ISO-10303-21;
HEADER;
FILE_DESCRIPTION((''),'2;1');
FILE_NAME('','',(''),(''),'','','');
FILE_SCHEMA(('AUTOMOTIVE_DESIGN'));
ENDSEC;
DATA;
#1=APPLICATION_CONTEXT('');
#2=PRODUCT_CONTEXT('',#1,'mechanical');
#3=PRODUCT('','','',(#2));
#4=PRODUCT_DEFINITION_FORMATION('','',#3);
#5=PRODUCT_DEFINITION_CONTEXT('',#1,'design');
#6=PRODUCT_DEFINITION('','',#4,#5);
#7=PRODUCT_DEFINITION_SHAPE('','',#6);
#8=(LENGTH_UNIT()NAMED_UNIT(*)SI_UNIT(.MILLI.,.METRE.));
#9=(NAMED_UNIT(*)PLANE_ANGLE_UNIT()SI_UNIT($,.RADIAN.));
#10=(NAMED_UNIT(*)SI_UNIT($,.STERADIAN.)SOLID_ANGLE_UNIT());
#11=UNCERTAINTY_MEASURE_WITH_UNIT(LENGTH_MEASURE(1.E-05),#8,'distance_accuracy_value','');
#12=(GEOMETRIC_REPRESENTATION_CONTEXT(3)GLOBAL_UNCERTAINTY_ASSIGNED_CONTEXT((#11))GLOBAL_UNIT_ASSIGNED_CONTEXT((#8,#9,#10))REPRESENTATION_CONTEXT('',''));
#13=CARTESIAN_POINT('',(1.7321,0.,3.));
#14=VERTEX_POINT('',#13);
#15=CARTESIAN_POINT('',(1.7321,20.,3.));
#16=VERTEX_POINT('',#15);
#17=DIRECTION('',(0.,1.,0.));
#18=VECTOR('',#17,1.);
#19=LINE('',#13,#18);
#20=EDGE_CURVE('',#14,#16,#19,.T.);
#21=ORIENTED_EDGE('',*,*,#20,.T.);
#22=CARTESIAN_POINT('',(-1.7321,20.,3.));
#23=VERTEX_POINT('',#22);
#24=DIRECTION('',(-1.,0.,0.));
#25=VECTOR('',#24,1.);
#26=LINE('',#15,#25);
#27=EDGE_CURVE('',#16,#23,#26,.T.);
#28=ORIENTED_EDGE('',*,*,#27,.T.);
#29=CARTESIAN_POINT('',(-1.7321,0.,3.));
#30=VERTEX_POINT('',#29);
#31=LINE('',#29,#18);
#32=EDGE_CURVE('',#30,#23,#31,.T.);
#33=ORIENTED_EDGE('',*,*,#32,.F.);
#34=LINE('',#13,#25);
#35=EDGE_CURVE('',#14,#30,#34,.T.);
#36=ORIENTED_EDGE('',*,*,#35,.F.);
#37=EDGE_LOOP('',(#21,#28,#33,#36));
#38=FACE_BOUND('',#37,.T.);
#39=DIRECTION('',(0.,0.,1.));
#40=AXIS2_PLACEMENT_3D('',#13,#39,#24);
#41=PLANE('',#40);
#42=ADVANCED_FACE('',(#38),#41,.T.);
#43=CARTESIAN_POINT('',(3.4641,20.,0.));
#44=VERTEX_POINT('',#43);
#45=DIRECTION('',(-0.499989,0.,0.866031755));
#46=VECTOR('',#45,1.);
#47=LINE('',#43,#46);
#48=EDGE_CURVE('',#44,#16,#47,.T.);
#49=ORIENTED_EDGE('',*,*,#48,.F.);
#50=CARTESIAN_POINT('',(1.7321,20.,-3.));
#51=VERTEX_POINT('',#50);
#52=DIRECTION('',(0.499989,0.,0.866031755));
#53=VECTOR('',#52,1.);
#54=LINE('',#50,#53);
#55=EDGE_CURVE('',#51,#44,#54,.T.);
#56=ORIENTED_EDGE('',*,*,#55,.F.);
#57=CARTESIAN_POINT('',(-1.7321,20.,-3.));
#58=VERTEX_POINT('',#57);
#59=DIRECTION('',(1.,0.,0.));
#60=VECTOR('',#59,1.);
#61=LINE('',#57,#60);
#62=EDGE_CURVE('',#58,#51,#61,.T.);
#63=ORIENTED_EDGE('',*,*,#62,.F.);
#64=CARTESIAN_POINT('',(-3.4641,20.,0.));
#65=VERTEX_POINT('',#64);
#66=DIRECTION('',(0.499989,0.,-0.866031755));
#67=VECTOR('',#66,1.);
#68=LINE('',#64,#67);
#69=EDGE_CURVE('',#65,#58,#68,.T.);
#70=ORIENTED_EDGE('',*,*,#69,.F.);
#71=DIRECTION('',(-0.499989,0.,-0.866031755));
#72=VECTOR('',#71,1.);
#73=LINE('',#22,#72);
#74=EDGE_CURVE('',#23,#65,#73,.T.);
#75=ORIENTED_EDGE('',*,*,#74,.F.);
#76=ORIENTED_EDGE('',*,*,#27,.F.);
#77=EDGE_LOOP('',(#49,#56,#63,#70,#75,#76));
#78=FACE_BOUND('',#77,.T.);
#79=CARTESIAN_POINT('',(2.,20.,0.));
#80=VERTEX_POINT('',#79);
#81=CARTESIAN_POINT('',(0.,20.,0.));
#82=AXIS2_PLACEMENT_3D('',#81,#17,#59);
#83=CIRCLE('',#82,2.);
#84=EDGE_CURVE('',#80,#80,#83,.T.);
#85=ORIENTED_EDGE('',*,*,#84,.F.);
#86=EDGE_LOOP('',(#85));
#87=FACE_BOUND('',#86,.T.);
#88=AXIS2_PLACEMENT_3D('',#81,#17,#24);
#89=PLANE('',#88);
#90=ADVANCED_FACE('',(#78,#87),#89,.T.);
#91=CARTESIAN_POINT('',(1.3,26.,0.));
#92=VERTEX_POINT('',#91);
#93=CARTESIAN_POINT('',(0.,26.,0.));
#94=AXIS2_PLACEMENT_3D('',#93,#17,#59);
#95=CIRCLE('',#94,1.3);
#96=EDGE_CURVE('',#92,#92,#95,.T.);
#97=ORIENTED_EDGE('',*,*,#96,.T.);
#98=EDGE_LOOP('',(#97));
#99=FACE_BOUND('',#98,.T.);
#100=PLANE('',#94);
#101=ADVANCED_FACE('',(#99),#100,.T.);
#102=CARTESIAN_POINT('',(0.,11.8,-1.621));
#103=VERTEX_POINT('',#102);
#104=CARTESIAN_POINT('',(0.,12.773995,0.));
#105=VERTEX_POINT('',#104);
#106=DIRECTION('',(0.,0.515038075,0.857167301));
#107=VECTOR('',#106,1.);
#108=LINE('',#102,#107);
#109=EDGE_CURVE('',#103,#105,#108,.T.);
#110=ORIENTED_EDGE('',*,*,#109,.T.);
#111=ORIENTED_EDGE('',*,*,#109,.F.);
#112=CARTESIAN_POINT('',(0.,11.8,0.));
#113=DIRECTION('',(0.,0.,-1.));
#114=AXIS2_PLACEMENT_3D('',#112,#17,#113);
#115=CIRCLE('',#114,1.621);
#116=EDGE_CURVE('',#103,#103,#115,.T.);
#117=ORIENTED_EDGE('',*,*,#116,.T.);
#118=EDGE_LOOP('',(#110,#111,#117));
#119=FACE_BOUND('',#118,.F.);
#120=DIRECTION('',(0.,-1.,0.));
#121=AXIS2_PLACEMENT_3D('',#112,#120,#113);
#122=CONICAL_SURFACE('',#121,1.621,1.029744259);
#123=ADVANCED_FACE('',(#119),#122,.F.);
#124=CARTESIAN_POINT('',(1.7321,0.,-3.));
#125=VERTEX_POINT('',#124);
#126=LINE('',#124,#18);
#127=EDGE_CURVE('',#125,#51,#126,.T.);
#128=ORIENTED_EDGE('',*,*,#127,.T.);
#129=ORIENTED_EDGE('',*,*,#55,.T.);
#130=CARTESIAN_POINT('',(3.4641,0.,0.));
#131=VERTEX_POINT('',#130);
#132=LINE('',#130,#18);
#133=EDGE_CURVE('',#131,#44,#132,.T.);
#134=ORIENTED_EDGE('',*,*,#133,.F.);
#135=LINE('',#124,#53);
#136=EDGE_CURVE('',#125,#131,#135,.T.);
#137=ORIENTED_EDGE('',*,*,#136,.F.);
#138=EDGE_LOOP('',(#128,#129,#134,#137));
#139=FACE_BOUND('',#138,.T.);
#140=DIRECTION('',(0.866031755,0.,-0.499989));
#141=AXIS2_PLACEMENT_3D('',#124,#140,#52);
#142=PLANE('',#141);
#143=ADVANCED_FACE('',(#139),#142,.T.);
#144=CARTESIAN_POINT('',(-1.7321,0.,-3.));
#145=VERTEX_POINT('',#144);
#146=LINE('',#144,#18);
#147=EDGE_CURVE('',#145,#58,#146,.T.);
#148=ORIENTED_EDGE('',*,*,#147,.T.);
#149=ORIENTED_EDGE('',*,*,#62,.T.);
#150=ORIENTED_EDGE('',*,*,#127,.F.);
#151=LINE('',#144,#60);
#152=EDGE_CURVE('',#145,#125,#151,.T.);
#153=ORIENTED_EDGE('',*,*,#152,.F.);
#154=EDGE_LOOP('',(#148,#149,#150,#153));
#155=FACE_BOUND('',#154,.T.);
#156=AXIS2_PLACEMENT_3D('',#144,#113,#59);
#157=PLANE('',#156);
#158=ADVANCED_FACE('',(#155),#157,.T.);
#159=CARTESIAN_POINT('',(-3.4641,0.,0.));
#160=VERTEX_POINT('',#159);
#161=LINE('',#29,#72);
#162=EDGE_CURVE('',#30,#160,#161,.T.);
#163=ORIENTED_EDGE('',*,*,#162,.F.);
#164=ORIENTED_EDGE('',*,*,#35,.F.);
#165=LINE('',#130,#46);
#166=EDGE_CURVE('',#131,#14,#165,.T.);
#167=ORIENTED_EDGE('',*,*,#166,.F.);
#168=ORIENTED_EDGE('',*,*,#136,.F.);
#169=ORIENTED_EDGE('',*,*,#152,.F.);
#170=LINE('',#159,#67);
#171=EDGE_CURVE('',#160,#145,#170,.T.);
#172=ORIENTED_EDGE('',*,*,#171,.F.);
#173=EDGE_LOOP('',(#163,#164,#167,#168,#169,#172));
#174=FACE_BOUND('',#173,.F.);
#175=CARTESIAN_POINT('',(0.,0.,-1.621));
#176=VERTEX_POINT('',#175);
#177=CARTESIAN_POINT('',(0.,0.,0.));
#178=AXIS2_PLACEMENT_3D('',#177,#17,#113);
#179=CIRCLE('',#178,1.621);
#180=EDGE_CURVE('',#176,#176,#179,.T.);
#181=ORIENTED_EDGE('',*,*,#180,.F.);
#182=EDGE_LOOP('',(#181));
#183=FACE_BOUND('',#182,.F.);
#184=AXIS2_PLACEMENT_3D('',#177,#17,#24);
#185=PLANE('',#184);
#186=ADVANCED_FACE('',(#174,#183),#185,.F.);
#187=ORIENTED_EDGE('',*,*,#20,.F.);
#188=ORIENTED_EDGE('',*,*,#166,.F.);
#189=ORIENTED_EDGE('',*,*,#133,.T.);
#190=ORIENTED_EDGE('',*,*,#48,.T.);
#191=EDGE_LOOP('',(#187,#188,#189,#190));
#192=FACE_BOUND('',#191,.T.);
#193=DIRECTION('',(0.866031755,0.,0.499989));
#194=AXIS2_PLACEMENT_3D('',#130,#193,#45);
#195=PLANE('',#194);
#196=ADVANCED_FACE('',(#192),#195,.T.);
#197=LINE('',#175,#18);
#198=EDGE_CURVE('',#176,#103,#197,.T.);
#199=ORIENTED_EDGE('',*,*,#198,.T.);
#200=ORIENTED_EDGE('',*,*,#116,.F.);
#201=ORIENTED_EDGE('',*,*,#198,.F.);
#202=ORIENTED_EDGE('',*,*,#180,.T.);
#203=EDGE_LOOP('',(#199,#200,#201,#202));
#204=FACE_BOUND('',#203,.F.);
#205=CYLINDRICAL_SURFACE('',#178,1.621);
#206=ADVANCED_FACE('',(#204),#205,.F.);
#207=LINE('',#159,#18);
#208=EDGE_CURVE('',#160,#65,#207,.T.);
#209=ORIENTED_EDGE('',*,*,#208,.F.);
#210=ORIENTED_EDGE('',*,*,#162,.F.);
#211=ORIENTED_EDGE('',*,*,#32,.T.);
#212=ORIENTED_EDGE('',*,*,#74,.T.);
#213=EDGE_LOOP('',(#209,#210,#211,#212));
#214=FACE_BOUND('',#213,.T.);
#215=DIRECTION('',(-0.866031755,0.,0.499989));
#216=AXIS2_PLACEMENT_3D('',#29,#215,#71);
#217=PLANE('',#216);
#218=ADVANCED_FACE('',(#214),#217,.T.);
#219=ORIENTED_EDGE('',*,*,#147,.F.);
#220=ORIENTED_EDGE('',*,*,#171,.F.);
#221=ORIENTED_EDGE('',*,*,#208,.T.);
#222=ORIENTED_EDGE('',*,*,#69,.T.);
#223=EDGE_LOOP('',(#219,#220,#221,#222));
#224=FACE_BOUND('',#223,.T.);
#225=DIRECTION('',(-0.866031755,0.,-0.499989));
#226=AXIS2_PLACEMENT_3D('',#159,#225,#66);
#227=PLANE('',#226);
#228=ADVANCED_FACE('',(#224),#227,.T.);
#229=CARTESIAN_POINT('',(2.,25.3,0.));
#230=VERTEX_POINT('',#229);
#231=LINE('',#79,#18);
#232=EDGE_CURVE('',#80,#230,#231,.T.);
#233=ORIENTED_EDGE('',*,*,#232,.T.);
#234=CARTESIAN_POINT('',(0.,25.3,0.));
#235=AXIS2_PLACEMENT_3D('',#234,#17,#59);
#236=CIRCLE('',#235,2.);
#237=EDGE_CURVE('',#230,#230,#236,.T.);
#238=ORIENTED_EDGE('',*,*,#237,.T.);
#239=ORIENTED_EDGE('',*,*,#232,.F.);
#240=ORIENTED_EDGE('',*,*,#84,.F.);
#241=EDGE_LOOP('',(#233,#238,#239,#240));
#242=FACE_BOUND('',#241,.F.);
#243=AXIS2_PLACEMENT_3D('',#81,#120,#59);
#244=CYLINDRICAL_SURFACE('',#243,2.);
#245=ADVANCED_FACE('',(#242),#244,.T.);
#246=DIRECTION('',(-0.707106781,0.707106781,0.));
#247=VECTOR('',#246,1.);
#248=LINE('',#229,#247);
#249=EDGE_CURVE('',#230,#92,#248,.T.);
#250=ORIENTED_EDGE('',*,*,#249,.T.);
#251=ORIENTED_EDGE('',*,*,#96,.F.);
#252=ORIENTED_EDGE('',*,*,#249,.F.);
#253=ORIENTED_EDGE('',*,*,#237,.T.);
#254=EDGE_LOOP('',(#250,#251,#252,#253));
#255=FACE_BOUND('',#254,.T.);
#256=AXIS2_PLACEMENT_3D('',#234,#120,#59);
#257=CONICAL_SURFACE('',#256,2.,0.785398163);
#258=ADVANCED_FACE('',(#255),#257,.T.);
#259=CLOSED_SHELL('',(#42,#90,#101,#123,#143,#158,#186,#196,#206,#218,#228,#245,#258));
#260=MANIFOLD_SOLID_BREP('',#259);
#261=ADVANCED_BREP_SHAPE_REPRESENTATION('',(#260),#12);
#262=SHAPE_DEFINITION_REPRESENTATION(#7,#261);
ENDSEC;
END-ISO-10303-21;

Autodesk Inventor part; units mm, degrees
ref_plane "YZ Plane" through (0, 0, 0) normal (1, 0, 0) x (0, 1, 0)
ref_plane "XZ Plane" through (0, 0, 0) normal (0, 1, 0) x (-1, 0, 0)
ref_plane "XY Plane" through (0, 0, 0) normal (0, 0, 1) x (1, 0, 0)
sketch "Sketch1" plane through (0, 0, 0) normal (0, 1, 0) x (-1, 0, 0)
  line L0 (-1.7321, -3) -> (-3.4641, 0)
  line L1 (-3.4641, 0) -> (-1.7321, 3)
  line L2 (-1.7321, 3) -> (1.7321, 3)
  line L3 (1.7321, 3) -> (3.4641, 0)
  line L4 (3.4641, 0) -> (1.7321, -3)
  line L5 (1.7321, -3) -> (-1.7321, -3)
  point P0 (0, 0)
  point P1 (0, 0)
  point P2 (0, 0)
  dimension "d0" = 3
extrude "Extrusion1" add sketch "Sketch1" along normal blind 20
hole "Hole2" at (0, 0, 0) direction (0, 1, 0) diameter 3.242 depth 11.8 tip angle 118 thread size "M4x0.7" class "6H" standard "ISO Metric profile"
sketch "Sketch3" plane through (0, 20, 0) normal (0, 1, 0) x (1, 0, 0)
  circle A0 centre (0, 0) radius 2
  dimension "d17" = 4
extrude "Extrusion2" add sketch "Sketch3" along normal blind 6
thread "Thread1" size "M4x0.7" class "6g" standard "ANSI Metric M Profile" length 5
chamfer "Chamfer1" distance 0.7 angle 45 1 edges at (-2, 26, 0)
properties part number "StandoffM4x20B" material "Brass, Soft Yellow"
